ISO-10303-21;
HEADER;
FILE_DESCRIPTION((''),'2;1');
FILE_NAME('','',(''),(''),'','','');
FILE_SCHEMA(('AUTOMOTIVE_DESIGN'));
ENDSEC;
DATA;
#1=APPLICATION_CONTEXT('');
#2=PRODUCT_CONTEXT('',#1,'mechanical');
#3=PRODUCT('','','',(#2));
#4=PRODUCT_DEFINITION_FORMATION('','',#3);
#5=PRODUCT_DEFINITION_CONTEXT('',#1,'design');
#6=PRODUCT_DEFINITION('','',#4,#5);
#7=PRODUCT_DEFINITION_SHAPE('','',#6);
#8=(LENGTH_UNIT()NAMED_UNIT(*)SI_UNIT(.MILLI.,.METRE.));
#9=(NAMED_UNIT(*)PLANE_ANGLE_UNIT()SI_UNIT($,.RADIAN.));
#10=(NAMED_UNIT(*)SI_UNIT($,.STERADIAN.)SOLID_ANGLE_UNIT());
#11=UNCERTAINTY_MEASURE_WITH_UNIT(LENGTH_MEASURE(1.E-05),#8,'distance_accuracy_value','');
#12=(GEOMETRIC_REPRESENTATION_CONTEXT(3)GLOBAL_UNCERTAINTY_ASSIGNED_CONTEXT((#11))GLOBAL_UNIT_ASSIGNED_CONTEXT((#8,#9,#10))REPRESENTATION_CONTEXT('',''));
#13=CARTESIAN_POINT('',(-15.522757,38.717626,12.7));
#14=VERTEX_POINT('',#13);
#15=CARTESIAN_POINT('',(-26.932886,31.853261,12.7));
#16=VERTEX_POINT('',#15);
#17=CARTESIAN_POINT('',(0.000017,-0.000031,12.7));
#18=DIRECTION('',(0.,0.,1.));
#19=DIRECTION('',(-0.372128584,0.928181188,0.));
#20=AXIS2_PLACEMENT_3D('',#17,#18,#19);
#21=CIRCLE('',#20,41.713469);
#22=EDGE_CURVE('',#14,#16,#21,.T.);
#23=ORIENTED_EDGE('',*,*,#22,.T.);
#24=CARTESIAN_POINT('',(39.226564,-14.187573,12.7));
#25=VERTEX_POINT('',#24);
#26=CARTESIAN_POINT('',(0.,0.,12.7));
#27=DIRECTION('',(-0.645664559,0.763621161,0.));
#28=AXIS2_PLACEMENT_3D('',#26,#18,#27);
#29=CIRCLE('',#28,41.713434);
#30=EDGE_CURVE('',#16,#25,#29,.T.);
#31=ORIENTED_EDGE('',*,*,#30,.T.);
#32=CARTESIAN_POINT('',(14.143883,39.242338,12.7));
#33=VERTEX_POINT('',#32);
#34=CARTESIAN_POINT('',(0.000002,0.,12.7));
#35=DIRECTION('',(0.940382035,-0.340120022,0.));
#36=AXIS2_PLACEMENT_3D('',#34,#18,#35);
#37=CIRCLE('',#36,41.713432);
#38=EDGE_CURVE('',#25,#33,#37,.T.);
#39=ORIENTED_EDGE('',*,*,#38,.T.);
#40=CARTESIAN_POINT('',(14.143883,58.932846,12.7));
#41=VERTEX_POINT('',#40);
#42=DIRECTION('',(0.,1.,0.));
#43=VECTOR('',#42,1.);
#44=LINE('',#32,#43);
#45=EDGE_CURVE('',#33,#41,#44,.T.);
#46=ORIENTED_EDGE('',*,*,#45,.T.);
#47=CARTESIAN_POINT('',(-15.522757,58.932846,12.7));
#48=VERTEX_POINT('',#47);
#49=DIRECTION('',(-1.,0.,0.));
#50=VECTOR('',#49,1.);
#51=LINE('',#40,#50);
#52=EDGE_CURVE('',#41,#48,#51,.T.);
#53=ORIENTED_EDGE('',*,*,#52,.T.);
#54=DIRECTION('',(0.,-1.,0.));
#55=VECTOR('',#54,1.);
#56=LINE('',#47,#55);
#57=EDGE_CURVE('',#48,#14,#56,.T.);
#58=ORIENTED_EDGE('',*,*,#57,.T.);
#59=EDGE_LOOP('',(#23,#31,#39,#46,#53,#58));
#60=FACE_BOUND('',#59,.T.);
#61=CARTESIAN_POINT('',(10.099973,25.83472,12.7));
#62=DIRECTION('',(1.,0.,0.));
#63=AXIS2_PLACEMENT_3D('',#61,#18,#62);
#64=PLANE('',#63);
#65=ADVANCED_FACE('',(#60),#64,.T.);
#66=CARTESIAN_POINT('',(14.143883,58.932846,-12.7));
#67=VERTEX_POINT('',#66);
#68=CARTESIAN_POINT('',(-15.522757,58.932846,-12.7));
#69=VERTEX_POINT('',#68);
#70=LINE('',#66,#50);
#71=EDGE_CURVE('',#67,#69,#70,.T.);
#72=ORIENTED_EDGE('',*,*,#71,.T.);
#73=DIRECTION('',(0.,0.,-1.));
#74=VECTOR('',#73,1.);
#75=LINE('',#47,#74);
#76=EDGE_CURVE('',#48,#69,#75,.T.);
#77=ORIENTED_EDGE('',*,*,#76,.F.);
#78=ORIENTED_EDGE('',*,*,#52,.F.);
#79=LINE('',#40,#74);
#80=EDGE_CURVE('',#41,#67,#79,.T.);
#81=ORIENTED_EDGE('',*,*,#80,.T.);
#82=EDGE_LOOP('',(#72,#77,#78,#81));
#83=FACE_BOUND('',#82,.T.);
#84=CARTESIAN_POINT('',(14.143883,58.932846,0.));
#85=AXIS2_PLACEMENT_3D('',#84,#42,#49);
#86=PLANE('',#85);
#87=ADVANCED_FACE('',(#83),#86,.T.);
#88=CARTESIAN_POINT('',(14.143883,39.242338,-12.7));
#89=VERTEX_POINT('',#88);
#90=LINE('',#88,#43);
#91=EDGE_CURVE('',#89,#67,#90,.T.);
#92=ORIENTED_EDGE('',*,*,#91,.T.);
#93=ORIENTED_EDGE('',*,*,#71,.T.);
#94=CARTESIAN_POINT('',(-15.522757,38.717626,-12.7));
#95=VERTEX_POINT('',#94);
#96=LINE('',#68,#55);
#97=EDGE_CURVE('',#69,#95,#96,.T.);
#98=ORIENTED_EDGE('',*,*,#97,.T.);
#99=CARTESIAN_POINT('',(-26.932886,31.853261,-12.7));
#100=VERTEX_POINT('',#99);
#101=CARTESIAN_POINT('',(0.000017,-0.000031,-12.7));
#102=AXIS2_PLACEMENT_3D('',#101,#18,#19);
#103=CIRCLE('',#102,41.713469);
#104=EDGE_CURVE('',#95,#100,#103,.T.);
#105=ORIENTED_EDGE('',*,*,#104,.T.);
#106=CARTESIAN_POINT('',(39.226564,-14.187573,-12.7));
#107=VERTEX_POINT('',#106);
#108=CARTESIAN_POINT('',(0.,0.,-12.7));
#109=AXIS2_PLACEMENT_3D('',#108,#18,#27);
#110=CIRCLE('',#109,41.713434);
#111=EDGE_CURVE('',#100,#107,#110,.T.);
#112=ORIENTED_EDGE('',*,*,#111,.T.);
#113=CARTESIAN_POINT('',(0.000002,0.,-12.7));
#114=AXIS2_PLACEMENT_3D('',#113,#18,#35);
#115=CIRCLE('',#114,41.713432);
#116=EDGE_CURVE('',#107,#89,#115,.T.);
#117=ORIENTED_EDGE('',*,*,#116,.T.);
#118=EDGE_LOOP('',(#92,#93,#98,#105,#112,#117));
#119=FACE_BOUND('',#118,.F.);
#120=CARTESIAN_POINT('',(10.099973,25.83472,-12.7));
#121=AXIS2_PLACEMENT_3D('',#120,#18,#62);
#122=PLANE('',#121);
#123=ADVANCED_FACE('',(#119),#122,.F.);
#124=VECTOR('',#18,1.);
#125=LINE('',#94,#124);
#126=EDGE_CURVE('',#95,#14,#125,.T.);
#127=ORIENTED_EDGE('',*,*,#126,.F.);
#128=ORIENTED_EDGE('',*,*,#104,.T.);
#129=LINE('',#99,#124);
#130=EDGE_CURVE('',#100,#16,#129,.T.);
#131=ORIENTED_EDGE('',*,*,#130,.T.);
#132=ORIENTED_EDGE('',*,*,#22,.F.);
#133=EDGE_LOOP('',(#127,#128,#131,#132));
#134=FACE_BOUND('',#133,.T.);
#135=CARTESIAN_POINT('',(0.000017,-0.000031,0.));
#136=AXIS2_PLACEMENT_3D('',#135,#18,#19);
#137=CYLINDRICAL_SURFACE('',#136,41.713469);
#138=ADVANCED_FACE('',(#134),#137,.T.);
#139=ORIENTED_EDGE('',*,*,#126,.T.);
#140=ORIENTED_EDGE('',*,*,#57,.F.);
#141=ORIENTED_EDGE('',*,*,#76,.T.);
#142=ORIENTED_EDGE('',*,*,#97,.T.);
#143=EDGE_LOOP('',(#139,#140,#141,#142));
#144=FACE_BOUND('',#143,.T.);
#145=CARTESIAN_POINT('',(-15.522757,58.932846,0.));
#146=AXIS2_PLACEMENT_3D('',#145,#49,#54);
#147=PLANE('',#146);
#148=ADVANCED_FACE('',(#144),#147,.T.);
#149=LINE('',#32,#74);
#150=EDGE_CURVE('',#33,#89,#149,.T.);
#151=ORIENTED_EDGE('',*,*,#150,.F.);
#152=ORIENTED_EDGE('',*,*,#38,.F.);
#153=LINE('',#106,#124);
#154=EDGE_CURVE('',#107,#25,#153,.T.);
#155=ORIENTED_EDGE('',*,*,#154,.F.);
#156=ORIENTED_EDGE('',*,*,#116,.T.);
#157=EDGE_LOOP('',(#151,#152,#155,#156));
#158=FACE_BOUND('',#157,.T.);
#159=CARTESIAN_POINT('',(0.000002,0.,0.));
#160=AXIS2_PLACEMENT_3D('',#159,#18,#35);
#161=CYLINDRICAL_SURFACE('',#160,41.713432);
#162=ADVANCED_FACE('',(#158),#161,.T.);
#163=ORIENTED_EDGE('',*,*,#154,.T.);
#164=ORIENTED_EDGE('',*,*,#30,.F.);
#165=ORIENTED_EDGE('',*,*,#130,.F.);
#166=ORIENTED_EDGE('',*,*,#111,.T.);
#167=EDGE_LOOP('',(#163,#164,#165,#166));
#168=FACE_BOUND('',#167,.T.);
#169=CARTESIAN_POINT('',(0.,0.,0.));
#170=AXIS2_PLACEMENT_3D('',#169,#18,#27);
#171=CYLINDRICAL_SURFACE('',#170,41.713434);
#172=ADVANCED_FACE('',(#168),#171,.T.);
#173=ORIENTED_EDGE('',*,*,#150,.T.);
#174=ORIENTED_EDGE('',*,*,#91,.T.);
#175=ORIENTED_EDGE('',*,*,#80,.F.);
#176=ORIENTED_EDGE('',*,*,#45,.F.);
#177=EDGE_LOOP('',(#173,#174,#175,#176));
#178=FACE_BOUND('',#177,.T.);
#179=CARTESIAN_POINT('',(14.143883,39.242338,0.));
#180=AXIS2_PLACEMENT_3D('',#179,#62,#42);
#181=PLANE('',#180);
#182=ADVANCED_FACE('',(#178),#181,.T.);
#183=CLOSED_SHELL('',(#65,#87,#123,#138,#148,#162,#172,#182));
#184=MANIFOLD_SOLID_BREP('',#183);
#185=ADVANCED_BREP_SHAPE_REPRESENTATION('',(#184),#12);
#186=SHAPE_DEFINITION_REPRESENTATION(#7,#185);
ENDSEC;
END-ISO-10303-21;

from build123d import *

# Parameters (mm, degrees)
F1_DEPTH = 12.7


with BuildPart() as f1:
    # F0 (on Top) → F1 (new body, symmetric)
    with BuildSketch(Plane.XY):
        with BuildLine():
            Line((-15.522757, 58.932846), (-15.522757, 38.717626))
            ThreePointArc((-15.522757, 38.717626), (-21.503495, 35.743674), (-26.932886, 31.853261))
            Line((-26.932886, 31.853261), (39.226564, -14.187573))
            ThreePointArc((39.226564, -14.187573), (37.759635, 17.726267), (14.143883, 39.242338))
            Line((14.143883, 39.242338), (14.143883, 58.932846))
            Line((14.143883, 58.932846), (-15.522757, 58.932846))
        make_face()
        with BuildLine():
            Line((39.226564, -14.187573), (-26.932886, 31.853261))
            ThreePointArc((-26.932886, 31.853261), (-23.826943, -34.238682), (39.226564, -14.187573))
        make_face()
    extrude(amount=F1_DEPTH, both=True)


solid = f1.part
